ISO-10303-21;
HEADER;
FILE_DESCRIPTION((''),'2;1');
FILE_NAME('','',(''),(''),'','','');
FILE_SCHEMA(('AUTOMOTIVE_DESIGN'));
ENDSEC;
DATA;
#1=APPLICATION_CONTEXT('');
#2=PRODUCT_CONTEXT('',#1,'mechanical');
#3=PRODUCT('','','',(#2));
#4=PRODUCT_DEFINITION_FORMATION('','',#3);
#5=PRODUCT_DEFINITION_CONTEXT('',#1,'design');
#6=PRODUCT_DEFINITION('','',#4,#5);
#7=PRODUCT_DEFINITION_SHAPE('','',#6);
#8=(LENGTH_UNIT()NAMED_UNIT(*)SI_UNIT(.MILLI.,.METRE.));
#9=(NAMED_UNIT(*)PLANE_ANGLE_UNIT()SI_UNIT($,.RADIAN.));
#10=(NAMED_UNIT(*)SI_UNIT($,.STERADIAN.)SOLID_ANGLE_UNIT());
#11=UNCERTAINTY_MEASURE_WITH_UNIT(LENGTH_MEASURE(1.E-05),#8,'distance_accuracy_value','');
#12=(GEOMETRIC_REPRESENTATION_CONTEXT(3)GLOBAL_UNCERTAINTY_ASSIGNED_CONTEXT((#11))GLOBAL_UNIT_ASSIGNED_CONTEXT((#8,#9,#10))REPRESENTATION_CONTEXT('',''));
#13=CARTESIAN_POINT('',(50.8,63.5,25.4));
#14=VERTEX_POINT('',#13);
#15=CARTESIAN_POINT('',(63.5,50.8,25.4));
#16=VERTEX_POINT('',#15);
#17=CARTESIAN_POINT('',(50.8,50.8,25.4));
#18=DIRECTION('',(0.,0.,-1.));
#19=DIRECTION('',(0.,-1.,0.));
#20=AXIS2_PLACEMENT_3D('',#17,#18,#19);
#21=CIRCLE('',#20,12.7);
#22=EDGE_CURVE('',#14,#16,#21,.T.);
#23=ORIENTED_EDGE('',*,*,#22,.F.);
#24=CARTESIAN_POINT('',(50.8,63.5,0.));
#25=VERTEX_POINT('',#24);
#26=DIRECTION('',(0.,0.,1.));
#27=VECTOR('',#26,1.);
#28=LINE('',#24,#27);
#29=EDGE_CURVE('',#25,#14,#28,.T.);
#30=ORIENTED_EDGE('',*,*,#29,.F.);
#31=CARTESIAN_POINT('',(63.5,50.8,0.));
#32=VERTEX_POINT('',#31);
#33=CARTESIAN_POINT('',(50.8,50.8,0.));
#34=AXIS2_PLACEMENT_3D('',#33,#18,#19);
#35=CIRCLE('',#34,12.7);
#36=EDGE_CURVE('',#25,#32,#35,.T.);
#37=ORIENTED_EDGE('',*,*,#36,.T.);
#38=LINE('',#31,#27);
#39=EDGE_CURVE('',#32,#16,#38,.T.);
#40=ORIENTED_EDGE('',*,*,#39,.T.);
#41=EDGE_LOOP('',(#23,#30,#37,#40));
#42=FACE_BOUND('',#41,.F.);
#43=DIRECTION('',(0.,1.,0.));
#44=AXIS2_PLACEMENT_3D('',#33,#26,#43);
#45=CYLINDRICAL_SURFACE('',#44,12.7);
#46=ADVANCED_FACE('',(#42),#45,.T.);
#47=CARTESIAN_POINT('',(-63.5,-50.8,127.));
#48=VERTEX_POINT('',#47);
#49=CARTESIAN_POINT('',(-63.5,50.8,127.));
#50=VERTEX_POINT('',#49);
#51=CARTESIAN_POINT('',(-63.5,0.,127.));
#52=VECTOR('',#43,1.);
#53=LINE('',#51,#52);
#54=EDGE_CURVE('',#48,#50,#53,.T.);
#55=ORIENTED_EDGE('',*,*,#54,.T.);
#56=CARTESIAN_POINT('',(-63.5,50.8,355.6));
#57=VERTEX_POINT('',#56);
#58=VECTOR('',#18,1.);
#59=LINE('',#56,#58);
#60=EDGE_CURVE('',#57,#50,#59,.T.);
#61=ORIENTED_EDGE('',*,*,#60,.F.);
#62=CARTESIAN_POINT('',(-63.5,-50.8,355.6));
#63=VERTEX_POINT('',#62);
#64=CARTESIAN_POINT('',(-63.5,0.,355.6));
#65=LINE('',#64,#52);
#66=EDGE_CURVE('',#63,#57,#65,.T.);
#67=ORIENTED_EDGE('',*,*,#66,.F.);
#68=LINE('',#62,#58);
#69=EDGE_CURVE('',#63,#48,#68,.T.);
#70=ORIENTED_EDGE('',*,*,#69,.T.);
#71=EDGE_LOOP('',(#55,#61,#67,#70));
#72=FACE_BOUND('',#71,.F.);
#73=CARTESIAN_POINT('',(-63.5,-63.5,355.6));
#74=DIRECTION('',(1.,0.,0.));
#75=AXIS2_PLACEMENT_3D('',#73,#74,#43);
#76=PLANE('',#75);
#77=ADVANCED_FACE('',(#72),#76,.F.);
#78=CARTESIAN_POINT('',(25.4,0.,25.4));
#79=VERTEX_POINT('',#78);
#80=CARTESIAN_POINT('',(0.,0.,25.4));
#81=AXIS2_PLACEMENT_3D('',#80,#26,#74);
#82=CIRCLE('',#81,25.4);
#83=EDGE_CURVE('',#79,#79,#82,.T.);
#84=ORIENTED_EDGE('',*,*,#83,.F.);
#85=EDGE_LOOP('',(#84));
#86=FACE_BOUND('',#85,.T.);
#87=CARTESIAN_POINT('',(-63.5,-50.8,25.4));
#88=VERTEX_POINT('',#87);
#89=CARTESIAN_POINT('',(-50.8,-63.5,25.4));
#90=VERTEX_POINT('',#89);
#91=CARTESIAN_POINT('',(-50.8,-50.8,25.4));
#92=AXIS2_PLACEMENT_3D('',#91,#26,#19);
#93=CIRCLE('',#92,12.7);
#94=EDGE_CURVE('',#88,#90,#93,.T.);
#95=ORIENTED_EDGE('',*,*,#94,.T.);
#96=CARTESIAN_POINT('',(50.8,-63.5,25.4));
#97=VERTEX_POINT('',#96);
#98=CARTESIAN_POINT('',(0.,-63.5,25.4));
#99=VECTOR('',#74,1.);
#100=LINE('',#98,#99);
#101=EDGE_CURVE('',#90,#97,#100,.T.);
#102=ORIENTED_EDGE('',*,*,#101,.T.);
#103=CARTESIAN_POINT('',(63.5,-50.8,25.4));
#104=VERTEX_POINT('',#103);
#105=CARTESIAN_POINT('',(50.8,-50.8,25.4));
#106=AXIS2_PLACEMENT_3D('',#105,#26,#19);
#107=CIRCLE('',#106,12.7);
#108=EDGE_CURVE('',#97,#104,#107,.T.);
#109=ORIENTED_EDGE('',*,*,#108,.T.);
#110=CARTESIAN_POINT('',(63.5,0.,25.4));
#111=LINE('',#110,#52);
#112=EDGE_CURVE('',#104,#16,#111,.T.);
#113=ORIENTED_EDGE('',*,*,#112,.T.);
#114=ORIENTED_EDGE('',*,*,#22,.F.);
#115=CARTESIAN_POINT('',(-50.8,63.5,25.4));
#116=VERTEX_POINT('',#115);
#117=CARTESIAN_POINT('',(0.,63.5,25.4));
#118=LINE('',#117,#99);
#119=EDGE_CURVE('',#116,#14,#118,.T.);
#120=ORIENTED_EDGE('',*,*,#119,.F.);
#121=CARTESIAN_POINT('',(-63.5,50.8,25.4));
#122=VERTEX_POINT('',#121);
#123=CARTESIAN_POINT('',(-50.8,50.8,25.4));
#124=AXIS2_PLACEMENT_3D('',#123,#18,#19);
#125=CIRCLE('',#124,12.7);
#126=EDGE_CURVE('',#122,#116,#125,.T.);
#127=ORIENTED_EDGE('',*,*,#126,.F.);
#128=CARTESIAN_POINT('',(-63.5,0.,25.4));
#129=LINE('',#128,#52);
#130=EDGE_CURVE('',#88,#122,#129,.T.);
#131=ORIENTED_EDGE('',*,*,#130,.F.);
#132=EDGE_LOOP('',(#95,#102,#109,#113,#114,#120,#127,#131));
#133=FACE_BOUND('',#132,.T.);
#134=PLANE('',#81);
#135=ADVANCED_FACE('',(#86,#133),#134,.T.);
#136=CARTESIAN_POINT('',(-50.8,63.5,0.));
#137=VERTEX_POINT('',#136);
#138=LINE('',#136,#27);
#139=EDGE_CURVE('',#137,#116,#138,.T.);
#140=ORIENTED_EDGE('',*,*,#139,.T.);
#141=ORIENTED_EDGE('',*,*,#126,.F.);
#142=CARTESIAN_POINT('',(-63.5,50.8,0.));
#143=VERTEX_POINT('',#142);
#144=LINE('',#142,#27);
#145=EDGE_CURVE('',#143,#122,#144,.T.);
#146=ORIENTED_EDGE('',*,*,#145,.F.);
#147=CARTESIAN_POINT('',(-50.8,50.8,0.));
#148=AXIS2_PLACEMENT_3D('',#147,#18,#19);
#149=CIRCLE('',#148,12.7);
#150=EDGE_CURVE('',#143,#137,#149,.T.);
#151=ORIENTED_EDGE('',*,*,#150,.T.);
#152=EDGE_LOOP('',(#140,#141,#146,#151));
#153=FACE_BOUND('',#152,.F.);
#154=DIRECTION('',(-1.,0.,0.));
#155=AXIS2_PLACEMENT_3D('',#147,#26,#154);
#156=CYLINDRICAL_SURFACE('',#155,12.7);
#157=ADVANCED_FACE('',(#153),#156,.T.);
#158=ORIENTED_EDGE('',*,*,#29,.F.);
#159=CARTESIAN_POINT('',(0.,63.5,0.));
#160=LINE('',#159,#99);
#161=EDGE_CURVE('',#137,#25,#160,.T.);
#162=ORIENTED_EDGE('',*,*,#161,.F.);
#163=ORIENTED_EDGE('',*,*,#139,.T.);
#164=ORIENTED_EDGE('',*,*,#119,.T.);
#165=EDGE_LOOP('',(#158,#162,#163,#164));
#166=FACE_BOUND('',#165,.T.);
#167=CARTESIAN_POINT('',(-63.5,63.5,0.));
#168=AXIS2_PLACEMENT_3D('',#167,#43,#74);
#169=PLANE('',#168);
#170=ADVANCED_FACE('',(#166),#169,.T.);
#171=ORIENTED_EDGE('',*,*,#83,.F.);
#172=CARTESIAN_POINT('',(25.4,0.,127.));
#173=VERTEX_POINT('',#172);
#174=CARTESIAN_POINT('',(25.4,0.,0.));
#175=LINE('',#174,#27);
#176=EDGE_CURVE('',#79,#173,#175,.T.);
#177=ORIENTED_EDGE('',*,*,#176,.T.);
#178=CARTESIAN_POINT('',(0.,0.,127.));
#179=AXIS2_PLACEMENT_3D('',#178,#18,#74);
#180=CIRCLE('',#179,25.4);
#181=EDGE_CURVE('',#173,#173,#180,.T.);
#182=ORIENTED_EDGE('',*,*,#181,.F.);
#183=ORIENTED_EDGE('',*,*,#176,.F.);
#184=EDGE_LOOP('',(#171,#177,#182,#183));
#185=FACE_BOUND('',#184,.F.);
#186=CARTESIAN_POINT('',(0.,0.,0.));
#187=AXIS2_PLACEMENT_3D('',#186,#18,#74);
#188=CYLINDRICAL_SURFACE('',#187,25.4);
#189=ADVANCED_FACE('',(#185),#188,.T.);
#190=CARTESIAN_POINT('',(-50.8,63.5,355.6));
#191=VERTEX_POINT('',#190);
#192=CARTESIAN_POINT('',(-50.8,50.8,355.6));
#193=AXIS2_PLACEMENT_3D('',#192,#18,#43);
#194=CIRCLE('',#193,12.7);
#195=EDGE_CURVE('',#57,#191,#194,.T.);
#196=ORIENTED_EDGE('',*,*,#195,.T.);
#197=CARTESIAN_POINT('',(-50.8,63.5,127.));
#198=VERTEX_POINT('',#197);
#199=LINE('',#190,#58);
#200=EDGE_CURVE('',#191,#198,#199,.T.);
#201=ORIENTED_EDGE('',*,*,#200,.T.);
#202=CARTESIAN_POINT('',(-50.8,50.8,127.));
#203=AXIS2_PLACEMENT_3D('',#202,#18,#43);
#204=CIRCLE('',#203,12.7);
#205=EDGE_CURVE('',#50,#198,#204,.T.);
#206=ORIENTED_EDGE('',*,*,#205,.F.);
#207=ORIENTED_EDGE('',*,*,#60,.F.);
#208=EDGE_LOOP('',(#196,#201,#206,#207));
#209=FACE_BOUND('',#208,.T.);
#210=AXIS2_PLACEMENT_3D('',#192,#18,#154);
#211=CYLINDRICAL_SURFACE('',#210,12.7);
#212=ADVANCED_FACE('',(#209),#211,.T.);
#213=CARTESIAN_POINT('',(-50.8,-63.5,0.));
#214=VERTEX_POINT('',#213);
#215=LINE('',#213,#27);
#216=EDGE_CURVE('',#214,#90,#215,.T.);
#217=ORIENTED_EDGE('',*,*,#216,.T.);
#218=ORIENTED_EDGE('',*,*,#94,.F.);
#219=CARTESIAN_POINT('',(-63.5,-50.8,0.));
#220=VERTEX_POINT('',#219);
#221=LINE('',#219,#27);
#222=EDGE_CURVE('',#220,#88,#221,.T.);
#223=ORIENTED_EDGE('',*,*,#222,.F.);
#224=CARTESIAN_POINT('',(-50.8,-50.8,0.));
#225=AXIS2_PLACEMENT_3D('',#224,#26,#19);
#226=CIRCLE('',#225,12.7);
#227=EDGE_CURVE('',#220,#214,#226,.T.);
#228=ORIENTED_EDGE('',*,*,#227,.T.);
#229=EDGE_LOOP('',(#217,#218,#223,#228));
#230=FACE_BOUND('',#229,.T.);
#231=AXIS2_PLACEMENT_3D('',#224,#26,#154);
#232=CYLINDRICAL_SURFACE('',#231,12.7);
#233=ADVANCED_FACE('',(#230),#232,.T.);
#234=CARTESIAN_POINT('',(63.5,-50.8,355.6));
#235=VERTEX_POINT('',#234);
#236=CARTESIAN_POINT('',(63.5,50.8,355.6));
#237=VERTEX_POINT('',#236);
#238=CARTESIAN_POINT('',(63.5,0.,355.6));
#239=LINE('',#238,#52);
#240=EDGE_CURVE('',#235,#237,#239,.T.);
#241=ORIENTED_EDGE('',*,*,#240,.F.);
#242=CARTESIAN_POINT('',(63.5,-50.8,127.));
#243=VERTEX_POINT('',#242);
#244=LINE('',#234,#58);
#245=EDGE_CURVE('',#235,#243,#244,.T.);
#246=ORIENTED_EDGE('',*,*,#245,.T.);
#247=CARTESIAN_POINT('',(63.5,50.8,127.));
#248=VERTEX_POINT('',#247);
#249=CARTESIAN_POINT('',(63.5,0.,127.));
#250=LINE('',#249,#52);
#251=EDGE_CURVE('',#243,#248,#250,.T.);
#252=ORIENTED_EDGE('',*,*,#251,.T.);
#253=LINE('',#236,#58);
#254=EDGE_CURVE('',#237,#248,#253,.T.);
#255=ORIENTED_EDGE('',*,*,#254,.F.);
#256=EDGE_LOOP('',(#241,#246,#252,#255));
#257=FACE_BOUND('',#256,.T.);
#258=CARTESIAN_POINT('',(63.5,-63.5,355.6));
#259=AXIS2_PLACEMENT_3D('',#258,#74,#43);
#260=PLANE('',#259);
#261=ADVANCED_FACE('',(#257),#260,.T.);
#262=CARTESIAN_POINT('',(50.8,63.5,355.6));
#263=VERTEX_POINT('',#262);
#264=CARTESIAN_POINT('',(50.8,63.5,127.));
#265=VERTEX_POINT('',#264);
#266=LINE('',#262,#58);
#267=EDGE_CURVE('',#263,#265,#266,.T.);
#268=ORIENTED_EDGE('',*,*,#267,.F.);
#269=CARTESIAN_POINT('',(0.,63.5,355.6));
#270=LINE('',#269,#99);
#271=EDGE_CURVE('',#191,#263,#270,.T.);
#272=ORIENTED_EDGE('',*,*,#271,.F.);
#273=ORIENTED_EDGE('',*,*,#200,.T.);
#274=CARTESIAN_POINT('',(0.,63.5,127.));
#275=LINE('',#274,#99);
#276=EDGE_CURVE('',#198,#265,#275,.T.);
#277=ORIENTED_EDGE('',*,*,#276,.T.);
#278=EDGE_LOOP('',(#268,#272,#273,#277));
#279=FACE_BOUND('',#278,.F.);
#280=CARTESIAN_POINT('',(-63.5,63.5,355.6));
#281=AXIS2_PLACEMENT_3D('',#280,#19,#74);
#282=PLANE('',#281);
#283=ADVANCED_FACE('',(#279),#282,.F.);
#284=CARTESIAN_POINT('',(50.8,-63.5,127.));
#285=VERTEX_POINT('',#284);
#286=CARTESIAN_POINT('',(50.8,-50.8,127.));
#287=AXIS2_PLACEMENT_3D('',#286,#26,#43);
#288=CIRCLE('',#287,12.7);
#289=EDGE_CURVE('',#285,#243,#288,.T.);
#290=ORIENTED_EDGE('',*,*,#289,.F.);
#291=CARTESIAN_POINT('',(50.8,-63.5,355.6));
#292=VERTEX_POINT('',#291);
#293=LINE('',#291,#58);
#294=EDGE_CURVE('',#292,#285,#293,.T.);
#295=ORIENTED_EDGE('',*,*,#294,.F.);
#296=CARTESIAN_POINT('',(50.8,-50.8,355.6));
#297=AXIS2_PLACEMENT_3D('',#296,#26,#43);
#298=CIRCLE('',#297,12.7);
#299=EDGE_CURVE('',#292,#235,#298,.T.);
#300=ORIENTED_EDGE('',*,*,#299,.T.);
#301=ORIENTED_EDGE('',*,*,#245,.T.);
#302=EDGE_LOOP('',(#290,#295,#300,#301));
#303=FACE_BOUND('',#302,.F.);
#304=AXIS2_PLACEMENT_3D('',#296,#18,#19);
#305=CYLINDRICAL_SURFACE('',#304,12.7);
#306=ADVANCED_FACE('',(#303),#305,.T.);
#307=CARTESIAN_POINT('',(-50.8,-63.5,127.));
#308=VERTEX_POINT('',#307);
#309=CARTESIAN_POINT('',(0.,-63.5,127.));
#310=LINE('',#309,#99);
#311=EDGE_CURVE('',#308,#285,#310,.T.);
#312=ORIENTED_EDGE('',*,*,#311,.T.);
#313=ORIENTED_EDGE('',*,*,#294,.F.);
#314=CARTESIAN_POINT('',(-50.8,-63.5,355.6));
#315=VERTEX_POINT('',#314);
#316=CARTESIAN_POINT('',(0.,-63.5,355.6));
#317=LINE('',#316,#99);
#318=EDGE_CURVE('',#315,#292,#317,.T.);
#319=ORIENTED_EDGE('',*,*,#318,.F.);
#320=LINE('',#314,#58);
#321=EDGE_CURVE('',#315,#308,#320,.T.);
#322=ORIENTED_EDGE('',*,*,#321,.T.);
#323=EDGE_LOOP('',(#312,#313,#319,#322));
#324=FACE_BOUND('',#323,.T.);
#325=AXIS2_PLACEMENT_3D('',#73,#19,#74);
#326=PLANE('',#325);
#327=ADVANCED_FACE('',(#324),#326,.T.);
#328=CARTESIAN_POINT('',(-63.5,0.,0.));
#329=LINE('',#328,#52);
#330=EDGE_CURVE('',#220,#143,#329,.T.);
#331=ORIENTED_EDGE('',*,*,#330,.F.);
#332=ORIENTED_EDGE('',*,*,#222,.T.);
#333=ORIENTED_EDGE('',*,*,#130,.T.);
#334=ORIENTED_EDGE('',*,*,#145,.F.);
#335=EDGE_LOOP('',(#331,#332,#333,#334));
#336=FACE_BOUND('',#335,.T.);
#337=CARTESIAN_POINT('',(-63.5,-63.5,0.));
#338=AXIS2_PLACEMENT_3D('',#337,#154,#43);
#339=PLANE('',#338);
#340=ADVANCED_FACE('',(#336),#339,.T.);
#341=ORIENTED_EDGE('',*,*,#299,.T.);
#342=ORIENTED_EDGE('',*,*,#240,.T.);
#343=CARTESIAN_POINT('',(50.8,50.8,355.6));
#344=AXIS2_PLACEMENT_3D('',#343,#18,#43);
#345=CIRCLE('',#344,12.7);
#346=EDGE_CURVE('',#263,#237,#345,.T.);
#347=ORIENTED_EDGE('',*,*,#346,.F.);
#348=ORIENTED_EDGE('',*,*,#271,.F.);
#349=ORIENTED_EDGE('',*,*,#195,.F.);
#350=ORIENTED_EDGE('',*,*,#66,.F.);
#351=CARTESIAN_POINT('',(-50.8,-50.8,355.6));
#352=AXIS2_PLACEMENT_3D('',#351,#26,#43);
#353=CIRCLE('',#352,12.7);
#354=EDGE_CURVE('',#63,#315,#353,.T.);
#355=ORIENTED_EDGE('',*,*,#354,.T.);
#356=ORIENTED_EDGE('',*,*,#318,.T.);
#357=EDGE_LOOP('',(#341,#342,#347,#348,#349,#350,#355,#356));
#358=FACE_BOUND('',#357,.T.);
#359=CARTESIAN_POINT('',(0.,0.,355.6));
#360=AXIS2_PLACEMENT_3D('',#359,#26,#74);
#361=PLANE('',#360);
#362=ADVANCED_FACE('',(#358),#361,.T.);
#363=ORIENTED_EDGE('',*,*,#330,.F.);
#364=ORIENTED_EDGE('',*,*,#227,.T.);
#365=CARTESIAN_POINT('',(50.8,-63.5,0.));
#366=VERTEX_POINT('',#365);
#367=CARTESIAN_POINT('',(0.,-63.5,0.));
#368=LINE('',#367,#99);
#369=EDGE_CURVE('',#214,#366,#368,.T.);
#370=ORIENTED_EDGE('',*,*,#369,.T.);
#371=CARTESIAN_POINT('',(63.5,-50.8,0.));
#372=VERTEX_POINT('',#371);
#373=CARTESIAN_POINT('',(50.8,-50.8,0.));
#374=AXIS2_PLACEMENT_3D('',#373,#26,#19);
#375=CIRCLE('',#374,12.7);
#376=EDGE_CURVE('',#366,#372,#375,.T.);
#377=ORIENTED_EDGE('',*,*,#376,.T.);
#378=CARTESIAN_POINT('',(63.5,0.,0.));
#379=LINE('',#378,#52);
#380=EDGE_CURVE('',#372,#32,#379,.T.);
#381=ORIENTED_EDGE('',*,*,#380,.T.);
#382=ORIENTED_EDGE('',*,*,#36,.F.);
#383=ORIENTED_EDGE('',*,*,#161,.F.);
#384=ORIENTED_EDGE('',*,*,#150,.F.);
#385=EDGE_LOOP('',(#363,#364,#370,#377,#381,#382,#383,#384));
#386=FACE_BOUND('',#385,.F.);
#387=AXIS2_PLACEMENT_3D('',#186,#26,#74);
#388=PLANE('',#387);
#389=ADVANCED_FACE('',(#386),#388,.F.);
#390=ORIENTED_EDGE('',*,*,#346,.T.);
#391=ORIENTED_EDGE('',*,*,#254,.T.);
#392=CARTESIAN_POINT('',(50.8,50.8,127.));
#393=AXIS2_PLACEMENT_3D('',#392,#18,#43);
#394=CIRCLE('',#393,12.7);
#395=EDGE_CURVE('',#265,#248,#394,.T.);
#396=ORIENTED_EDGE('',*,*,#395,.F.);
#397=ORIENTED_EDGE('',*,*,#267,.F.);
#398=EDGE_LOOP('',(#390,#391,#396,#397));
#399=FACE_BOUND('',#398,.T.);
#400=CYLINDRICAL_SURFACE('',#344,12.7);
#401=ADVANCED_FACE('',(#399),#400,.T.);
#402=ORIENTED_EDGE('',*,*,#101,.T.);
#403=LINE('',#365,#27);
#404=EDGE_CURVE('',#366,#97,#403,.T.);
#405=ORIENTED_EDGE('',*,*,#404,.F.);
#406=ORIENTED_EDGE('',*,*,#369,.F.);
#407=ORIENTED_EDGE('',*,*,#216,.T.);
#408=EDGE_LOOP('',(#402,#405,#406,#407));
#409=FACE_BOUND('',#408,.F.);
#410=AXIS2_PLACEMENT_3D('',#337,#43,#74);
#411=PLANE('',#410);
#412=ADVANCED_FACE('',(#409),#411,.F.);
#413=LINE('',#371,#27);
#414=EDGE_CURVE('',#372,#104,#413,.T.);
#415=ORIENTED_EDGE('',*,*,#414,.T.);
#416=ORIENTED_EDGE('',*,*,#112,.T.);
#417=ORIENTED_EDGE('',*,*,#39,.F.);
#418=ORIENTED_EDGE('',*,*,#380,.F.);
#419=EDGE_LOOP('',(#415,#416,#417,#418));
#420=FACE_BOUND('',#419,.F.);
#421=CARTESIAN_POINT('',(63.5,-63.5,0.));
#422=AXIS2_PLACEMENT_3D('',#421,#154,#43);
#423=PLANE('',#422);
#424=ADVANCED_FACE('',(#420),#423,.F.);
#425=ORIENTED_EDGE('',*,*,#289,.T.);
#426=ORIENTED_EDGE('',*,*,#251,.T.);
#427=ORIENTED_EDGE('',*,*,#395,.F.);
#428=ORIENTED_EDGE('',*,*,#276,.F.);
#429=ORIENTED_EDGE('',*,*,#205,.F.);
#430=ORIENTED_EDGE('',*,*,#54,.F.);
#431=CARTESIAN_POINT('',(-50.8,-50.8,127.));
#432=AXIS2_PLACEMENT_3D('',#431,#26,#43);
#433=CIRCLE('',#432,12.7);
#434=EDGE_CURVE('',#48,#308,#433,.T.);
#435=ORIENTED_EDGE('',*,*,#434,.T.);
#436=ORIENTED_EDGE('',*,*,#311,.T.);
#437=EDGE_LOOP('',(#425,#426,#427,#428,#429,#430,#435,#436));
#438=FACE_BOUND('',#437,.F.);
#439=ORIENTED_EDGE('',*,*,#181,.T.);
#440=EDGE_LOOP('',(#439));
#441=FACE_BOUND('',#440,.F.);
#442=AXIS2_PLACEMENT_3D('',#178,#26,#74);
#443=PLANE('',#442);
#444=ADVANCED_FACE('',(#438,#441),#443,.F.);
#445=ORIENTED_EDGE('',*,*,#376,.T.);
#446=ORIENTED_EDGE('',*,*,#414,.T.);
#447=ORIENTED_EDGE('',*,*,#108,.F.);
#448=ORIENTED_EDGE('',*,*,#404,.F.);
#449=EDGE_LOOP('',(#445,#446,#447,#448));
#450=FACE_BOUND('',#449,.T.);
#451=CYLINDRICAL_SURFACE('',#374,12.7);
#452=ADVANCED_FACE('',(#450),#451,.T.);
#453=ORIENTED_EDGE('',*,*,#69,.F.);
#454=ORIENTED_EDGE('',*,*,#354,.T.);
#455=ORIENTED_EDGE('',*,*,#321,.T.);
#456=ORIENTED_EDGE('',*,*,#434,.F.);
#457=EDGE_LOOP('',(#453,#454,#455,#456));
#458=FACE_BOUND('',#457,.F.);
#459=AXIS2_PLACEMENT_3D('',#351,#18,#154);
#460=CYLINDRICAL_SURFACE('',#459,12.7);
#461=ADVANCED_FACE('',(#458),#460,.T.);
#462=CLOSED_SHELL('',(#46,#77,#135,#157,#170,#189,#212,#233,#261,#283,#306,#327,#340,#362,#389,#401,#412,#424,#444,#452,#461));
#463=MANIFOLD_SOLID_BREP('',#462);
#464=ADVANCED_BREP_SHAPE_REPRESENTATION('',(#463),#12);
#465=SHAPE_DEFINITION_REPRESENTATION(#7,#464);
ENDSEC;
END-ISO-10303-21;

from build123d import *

# Parameters (mm, degrees)
F0_W     = 127
F0_H     = 127
F0_R     = 25.4
F1_DEPTH = 25.4
F2_DEPTH = 355.6
F3_W     = 127
F3_H     = 127
F3_R     = 25.4
F4_DEPTH = 228.6
F5_R     = 12.7


with BuildPart() as f1:
    # F0 (on Top) → F1 (new body)
    with BuildSketch(Plane.XY):
        Rectangle(F0_W, F0_H)
        Circle(F0_R, mode=Mode.SUBTRACT)
    extrude(amount=F1_DEPTH)

    # F0 (on Top) → F2 (join)
    with BuildSketch(Plane.XY):
        Circle(F0_R)
    extrude(amount=F2_DEPTH)

    # F3 (on face) → F4 (join)
    with BuildSketch(Plane.XY.offset(355.6)):
        Rectangle(F3_W, F3_H)
        Circle(F3_R)
    extrude(amount=-F4_DEPTH)

    # F5
    f5_edges = [f1.edges().sort_by_distance(p)[0] for p in [
        (63.5, -63.5, 241.3),
        (63.5, 63.5, 241.3),
        (-63.5, -63.5, 241.3),
        (63.5, -63.5, 12.7),
        (63.5, 63.5, 12.7),
        (-63.5, -63.5, 12.7),
        (-63.5, 63.5, 241.3),
        (-63.5, 63.5, 12.7),
    ]]
    fillet(f5_edges, radius=F5_R)


solid = f1.part
